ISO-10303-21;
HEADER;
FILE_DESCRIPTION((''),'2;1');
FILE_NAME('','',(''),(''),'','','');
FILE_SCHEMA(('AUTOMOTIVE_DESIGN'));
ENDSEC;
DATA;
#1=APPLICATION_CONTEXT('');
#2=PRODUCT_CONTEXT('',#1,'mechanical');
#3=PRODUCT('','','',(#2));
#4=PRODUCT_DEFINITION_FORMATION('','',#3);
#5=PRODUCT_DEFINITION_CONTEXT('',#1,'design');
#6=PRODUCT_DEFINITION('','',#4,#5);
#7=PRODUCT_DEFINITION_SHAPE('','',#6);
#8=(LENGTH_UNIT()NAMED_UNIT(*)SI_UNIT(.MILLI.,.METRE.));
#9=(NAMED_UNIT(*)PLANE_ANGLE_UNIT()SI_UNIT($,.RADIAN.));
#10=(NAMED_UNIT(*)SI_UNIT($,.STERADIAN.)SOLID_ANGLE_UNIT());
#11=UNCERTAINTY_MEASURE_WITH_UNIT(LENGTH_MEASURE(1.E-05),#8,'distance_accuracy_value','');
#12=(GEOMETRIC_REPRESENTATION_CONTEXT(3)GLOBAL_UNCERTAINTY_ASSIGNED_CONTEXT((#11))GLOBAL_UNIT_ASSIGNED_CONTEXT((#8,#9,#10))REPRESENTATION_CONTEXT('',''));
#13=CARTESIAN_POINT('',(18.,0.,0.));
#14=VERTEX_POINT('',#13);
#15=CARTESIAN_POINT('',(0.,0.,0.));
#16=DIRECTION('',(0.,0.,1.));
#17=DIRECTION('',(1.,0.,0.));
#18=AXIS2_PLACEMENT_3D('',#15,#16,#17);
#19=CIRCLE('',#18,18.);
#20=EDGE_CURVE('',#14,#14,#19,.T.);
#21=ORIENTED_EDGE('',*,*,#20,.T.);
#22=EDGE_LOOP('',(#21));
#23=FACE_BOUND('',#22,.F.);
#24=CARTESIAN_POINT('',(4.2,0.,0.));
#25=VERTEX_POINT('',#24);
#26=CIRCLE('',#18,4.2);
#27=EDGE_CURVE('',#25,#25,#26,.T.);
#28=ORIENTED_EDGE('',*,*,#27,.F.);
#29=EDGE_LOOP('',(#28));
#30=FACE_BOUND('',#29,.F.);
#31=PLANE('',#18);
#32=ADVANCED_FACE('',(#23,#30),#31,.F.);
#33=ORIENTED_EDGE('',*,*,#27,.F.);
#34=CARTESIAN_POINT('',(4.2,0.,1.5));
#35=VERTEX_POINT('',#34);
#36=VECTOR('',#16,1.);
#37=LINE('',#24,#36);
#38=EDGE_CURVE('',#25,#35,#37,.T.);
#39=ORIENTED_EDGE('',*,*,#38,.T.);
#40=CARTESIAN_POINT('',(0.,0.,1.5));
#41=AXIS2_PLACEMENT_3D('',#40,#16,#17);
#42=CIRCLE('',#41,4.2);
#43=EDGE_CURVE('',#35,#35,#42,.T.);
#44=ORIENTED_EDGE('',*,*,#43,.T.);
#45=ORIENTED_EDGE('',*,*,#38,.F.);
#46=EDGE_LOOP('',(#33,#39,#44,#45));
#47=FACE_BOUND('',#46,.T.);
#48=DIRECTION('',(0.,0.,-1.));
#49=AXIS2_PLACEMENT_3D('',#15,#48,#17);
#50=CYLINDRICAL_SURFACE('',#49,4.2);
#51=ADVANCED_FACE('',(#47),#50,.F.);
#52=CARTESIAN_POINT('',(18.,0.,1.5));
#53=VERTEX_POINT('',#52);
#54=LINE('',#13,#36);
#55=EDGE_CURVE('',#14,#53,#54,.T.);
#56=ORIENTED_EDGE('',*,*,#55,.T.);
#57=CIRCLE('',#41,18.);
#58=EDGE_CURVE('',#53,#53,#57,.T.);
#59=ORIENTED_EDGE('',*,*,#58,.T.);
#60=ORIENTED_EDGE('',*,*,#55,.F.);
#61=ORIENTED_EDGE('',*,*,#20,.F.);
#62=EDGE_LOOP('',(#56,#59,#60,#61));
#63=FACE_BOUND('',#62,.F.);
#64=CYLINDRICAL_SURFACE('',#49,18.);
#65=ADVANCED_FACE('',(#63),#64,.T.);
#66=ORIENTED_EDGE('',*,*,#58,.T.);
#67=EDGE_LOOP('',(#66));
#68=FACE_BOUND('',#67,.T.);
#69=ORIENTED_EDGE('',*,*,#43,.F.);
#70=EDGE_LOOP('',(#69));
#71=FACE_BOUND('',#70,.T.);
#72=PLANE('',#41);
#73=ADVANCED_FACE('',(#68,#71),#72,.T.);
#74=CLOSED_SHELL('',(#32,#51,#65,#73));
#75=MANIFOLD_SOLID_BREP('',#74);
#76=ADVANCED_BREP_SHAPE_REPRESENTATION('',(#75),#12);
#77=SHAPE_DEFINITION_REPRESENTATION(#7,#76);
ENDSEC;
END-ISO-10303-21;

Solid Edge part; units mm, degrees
sketch "Sketch1" plane through (0, 0, 0) normal (0, 0, 1) x (1, 0, 0)
  circle A0 centre (0, 0) radius 18
  circle A1 centre (0, 0) radius 4.2
  dimension "D1" = 8.4
  dimension "D2" = 36
extrude "Protrusion1" add sketch "Sketch1" along normal blind 1.5
properties material "ABS Plastic, medium impact"
